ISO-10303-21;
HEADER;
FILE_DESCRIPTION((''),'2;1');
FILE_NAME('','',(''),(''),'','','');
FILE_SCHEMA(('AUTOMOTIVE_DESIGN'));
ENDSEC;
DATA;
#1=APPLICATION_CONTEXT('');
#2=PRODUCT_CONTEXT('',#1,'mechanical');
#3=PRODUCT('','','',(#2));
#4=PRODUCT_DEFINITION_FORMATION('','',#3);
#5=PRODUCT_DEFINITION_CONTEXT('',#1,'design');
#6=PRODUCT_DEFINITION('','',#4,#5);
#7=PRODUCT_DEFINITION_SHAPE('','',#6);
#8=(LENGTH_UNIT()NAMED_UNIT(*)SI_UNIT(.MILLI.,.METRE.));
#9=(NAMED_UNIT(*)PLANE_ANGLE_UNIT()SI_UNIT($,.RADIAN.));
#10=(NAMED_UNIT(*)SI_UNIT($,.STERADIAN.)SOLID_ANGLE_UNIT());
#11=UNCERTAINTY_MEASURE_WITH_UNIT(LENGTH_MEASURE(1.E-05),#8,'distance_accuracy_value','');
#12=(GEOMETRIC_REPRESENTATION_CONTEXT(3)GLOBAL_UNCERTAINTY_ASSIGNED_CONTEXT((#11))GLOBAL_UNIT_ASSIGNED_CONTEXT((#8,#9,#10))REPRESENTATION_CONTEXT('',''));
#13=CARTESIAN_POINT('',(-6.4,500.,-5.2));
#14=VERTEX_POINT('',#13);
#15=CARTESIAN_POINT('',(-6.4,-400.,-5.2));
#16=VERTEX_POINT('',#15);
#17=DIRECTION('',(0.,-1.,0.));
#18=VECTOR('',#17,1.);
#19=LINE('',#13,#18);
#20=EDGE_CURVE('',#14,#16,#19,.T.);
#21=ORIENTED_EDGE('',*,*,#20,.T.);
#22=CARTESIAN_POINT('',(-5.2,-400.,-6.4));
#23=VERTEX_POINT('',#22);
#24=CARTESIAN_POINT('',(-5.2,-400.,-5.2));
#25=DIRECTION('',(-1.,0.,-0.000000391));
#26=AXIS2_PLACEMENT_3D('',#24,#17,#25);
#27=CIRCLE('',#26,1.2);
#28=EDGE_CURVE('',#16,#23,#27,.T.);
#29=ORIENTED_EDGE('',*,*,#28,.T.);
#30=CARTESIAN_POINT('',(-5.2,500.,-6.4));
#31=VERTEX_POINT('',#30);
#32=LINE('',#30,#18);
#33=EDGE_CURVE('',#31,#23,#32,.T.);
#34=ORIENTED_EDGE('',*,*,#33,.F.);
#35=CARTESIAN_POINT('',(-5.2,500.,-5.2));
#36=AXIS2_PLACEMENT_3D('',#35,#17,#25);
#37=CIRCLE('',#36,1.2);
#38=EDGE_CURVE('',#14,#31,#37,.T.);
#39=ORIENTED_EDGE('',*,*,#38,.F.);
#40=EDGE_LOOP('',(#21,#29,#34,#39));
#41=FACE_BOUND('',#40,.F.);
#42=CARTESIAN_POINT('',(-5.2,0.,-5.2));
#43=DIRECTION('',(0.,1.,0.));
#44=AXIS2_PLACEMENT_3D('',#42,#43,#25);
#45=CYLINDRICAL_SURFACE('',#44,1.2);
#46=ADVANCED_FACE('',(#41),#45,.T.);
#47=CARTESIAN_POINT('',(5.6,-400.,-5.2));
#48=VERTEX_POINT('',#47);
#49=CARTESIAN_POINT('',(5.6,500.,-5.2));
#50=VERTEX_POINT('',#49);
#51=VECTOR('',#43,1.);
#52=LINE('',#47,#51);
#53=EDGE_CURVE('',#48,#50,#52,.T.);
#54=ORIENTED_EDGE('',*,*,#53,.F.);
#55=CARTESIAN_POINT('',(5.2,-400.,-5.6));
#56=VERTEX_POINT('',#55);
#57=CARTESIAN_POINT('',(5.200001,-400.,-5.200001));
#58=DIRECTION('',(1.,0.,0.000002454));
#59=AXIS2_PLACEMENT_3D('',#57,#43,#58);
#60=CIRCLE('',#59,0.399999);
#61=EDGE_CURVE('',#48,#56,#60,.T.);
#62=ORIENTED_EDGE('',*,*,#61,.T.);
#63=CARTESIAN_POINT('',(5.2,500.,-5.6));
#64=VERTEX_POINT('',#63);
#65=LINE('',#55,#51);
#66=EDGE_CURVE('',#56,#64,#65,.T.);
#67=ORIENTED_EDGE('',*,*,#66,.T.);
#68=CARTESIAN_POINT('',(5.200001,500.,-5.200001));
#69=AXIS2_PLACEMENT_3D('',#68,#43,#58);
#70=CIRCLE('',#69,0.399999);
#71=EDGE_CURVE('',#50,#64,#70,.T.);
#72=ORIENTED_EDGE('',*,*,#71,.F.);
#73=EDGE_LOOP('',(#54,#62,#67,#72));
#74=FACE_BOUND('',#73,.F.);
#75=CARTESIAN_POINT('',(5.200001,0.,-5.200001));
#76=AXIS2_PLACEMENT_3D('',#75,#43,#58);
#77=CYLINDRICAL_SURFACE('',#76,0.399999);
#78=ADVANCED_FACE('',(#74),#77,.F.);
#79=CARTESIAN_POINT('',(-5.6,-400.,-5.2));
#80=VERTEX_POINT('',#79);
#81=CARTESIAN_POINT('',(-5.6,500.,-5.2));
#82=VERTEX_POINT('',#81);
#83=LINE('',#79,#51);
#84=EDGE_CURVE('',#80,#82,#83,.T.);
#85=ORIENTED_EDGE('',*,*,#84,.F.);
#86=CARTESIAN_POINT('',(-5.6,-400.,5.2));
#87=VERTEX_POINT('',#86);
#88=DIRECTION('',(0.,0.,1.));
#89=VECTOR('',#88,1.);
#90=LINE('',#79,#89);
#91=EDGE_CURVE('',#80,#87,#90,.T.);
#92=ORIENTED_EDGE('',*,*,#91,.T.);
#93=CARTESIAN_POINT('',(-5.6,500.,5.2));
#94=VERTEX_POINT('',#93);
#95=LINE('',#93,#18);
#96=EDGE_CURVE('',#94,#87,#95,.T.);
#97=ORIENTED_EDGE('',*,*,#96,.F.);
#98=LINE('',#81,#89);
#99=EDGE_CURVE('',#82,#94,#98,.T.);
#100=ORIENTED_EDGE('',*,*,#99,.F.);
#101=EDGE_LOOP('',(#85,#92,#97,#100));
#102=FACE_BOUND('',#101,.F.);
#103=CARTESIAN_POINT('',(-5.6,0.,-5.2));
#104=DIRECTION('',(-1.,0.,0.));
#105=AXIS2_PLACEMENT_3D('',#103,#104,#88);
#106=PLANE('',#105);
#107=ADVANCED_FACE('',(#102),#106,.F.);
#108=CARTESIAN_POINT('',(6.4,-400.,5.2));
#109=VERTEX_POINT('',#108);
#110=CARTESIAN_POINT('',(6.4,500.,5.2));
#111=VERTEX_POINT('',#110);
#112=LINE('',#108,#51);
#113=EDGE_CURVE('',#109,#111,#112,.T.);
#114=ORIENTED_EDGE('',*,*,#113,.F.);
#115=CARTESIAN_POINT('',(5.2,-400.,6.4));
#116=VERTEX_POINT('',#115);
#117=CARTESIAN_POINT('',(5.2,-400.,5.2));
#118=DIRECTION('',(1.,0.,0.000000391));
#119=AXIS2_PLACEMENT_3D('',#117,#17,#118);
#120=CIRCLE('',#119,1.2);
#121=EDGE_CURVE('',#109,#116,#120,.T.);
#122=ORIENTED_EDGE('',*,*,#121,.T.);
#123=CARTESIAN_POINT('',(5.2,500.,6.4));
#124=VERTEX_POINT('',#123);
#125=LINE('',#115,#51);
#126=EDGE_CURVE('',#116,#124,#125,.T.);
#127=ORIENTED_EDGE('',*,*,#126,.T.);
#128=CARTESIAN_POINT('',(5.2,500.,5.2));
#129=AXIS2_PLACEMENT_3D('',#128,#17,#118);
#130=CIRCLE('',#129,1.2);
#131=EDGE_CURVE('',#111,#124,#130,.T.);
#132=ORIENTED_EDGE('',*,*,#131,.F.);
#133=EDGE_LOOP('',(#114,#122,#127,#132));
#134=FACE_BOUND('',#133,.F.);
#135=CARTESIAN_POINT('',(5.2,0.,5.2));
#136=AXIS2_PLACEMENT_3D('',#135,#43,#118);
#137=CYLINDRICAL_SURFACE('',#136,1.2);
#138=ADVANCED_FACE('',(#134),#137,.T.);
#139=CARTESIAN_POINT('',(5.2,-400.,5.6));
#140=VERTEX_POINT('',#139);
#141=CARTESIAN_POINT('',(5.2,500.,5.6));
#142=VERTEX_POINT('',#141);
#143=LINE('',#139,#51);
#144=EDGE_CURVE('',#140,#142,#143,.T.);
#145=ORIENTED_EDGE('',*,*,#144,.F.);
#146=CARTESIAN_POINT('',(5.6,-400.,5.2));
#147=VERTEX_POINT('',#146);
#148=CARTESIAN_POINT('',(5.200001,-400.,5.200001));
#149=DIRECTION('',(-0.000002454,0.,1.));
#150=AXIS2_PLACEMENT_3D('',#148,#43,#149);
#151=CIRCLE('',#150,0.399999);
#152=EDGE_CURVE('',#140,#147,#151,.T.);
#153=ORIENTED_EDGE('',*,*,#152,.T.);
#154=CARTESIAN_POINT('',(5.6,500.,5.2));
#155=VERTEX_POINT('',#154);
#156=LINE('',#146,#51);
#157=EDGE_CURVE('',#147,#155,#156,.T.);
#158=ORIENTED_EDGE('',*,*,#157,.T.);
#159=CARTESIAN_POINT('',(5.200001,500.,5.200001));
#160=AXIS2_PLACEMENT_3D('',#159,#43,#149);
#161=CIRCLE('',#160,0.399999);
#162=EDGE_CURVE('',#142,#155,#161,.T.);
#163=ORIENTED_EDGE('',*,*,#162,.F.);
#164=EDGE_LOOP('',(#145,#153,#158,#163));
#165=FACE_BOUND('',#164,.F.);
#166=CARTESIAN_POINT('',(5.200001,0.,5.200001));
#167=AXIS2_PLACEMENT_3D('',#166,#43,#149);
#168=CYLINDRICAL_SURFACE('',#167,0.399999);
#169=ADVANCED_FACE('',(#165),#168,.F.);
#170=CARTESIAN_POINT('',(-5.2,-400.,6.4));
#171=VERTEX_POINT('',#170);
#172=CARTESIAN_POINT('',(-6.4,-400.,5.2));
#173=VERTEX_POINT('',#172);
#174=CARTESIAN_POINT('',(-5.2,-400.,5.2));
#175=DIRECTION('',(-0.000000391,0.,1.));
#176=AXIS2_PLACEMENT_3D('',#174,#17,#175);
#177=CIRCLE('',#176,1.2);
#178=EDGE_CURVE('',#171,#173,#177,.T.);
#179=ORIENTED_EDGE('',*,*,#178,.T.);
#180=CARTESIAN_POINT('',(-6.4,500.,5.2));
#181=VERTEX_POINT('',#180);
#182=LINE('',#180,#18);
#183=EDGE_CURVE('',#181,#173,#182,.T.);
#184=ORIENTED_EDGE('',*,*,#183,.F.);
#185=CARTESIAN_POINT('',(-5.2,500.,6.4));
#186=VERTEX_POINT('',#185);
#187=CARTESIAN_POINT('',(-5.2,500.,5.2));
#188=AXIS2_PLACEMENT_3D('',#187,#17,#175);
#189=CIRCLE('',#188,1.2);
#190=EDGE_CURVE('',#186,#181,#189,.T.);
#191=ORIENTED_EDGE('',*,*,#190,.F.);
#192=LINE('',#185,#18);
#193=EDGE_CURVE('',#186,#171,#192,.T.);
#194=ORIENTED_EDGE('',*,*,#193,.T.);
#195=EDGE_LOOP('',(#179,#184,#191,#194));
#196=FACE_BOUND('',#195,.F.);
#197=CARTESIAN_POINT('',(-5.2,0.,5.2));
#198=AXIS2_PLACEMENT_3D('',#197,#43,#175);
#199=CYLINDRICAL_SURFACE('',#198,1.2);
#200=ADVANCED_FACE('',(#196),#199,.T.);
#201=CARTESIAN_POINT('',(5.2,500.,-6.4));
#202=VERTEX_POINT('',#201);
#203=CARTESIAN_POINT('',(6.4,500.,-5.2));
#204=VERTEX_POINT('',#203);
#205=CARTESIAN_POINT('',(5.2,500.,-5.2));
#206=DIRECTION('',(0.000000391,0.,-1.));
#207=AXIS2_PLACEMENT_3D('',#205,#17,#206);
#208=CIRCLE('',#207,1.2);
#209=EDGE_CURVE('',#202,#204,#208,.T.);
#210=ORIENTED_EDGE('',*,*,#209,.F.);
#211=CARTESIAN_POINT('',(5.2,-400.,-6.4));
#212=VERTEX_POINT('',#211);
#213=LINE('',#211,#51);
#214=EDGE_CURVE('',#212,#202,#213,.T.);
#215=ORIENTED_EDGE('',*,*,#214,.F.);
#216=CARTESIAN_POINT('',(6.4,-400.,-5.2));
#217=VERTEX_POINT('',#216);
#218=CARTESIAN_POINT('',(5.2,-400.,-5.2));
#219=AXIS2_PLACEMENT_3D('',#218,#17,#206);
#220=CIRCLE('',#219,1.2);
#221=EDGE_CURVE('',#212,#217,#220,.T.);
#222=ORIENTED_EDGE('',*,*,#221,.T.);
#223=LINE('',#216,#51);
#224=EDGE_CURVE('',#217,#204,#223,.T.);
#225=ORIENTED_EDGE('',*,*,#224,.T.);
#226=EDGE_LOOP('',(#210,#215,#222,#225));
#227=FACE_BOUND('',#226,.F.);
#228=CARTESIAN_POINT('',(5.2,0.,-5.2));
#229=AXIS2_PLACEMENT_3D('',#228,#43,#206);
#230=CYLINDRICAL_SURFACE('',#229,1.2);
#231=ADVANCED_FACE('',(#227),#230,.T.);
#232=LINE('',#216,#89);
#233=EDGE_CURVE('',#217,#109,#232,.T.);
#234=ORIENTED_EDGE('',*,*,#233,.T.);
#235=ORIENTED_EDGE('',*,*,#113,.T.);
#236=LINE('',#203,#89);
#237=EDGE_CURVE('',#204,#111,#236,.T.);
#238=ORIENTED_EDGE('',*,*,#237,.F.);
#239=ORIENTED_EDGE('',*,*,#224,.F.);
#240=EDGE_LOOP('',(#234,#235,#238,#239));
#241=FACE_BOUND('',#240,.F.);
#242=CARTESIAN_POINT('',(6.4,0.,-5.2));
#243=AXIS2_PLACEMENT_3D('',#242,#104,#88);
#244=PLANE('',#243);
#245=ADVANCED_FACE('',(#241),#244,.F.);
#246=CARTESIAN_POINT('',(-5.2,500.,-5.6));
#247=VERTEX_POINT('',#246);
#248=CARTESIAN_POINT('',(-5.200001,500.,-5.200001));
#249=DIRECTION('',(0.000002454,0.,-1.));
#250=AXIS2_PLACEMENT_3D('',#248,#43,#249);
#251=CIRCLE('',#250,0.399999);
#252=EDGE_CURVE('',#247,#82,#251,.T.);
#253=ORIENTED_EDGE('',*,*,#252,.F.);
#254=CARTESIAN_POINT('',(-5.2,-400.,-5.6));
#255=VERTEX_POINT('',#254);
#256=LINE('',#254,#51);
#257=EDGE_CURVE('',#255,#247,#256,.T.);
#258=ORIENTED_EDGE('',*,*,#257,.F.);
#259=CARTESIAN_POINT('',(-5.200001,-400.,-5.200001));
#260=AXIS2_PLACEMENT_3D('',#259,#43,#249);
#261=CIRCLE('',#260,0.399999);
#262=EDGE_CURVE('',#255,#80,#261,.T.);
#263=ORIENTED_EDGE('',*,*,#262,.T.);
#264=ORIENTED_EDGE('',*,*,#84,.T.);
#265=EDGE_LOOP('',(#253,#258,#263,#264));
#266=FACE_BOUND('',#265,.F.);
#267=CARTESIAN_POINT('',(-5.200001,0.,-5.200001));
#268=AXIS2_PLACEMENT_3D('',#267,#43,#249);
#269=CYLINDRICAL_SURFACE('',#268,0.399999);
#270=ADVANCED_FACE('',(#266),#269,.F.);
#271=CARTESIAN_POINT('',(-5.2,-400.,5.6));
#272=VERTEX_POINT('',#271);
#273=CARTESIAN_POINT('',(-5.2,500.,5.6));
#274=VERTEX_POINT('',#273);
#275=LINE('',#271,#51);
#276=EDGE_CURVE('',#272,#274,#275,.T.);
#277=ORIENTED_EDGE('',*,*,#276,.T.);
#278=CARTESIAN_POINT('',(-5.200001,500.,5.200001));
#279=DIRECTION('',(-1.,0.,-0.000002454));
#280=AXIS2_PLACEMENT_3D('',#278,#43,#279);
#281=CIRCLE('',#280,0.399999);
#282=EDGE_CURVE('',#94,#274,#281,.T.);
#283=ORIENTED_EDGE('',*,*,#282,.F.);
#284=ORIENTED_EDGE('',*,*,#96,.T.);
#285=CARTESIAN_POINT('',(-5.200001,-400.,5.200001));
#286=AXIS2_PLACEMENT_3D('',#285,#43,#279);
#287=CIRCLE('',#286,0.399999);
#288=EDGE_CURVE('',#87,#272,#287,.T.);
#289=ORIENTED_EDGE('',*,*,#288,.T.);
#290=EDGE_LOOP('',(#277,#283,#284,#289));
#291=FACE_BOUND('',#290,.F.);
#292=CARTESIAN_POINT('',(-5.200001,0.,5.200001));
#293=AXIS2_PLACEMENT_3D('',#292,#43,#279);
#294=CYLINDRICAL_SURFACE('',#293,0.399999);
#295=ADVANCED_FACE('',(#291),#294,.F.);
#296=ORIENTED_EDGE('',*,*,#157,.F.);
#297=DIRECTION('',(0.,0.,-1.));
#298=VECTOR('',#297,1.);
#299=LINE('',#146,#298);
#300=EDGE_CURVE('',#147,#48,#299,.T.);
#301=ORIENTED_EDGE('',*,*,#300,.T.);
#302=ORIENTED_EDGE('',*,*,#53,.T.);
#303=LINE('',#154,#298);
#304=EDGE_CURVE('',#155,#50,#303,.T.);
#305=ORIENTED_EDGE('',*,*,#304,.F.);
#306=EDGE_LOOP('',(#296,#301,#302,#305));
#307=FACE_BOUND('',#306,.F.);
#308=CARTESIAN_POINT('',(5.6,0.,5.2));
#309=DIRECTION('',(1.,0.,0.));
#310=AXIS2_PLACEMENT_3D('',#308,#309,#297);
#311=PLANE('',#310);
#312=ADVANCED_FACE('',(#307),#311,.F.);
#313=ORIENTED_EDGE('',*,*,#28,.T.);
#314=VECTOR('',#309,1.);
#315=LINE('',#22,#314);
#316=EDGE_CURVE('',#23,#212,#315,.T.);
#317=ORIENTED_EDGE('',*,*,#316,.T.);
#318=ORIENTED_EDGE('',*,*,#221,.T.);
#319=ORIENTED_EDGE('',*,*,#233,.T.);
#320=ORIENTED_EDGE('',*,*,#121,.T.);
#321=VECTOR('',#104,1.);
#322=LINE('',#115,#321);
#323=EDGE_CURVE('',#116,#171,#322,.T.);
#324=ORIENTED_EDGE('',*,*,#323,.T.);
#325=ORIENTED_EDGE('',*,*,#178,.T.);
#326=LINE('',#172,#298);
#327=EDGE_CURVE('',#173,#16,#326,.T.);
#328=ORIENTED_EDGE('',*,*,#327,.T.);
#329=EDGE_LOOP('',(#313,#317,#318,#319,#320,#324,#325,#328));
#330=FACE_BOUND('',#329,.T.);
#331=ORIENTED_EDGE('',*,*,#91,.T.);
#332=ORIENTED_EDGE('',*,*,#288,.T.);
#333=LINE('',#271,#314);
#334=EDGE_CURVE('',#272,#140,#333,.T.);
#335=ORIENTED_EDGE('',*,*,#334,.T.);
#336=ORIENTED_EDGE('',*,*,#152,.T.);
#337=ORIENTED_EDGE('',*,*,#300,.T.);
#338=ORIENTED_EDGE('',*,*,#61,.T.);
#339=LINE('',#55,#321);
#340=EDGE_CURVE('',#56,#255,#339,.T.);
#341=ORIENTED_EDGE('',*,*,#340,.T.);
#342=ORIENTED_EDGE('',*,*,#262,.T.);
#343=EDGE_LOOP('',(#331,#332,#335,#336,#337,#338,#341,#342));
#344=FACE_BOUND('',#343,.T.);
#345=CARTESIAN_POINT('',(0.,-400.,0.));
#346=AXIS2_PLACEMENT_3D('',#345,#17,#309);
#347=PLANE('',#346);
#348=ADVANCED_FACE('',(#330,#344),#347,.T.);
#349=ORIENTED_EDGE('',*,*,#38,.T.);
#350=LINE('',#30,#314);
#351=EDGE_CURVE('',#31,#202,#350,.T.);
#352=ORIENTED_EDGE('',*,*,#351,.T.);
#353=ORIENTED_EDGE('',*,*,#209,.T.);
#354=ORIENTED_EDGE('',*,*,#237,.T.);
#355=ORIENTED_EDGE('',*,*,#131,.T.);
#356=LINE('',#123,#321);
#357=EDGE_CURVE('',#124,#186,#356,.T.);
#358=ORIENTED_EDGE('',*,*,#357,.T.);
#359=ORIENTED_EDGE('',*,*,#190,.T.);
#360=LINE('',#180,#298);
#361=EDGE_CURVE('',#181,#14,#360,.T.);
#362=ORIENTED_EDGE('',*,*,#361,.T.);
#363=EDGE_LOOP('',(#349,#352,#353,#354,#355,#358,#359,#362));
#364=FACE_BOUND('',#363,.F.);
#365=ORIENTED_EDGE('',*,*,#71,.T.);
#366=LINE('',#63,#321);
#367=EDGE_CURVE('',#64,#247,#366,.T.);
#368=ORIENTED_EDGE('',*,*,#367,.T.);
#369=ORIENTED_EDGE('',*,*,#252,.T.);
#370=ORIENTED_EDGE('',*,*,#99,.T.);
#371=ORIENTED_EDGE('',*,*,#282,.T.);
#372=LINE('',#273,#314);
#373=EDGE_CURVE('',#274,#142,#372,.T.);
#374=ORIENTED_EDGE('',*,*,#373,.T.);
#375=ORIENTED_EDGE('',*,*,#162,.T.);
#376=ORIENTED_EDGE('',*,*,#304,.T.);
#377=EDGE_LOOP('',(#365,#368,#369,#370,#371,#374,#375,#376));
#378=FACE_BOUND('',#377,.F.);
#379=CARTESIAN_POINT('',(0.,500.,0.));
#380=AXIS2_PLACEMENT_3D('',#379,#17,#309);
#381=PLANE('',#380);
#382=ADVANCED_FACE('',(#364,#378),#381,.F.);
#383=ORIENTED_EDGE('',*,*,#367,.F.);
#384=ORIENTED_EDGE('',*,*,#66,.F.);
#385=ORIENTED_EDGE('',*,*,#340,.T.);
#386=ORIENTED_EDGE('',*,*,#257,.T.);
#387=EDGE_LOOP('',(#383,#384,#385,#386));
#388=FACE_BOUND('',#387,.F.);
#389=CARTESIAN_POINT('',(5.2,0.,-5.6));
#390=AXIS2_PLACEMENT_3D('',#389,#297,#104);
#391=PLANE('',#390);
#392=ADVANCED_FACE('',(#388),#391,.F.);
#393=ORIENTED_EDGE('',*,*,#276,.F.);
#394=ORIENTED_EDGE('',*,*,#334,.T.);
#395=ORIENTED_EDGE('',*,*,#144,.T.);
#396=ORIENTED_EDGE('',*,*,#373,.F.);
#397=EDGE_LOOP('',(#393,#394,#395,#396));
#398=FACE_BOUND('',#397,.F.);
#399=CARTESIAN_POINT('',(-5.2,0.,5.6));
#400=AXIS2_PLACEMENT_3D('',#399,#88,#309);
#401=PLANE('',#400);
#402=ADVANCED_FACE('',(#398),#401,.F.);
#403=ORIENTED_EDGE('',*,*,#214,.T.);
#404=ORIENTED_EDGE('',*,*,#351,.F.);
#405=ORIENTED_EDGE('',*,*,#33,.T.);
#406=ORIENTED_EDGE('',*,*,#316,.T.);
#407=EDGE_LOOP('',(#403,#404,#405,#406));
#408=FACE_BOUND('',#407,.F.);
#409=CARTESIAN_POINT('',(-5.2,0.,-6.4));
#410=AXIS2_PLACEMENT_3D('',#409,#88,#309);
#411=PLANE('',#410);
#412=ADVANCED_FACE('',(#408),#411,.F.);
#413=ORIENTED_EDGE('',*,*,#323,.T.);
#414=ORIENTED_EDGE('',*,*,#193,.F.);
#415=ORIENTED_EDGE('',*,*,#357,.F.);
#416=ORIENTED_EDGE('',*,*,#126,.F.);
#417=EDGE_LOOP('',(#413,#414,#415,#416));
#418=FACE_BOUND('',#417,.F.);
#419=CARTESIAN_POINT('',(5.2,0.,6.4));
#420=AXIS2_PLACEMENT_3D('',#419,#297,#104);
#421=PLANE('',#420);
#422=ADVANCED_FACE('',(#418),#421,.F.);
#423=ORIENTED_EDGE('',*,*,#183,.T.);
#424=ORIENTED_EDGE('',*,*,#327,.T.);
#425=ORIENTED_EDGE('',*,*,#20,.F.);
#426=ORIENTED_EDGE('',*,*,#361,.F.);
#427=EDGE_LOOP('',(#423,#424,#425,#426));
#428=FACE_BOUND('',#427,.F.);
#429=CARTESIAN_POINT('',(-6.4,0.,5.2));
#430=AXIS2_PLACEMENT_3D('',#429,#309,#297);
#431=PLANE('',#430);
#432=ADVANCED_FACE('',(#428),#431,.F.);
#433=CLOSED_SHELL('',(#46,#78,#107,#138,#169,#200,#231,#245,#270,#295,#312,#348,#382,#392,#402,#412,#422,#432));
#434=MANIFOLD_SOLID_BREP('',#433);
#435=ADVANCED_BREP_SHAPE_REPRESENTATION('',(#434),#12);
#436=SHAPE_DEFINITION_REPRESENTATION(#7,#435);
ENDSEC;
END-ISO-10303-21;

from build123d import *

# Parameters (mm, degrees)
F2_DEPTH = 500
F3_DEPTH = 400


with BuildPart() as f2:
    # F0 (on Front) → F2 (new body)
    with BuildSketch(Plane.XZ):
        with BuildLine():
            Line((5.2, 6.4), (-5.2, 6.4))
            ThreePointArc((-5.2, 6.4), (-6.048528, 6.048528), (-6.4, 5.2))
            Line((-6.4, 5.2), (-6.4, -5.2))
            ThreePointArc((-6.4, -5.2), (-6.048528, -6.048528), (-5.2, -6.4))
            Line((-5.2, -6.4), (5.2, -6.4))
            ThreePointArc((5.2, -6.4), (6.048528, -6.048528), (6.4, -5.2))
            Line((6.4, -5.2), (6.4, 5.2))
            ThreePointArc((6.4, 5.2), (6.048528, 6.048528), (5.2, 6.4))
        make_face()
        with BuildLine():
            ThreePointArc((-5.6, 5.2), (-5.482843, 5.482843), (-5.2, 5.6))
            Line((-5.2, 5.6), (5.2, 5.6))
            ThreePointArc((5.2, 5.6), (5.482843, 5.482843), (5.6, 5.2))
            Line((5.6, 5.2), (5.6, -5.2))
            ThreePointArc((5.6, -5.2), (5.482843, -5.482843), (5.2, -5.6))
            Line((5.2, -5.6), (-5.2, -5.6))
            ThreePointArc((-5.2, -5.6), (-5.482843, -5.482843), (-5.6, -5.2))
            Line((-5.6, -5.2), (-5.6, 5.2))
        make_face(mode=Mode.SUBTRACT)
    extrude(amount=-F2_DEPTH)

    # F2_face (on face) → F3 (join)
    with BuildSketch(Plane.XZ):
        with BuildLine():
            Line((5.2, 6.4), (-5.2, 6.4))
            ThreePointArc((-5.2, 6.4), (-6.048528, 6.048528), (-6.4, 5.2))
            Line((-6.4, 5.2), (-6.4, -5.2))
            ThreePointArc((-6.4, -5.2), (-6.048528, -6.048528), (-5.2, -6.4))
            Line((-5.2, -6.4), (5.2, -6.4))
            ThreePointArc((5.2, -6.4), (6.048528, -6.048528), (6.4, -5.2))
            Line((6.4, -5.2), (6.4, 5.2))
            ThreePointArc((6.4, 5.2), (6.048528, 6.048528), (5.2, 6.4))
        make_face()
        with BuildLine():
            ThreePointArc((-5.6, 5.2), (-5.482843, 5.482843), (-5.2, 5.6))
            Line((-5.2, 5.6), (5.2, 5.6))
            ThreePointArc((5.2, 5.6), (5.482843, 5.482843), (5.6, 5.2))
            Line((5.6, 5.2), (5.6, -5.2))
            ThreePointArc((5.6, -5.2), (5.482843, -5.482843), (5.2, -5.6))
            Line((5.2, -5.6), (-5.2, -5.6))
            ThreePointArc((-5.2, -5.6), (-5.482843, -5.482843), (-5.6, -5.2))
            Line((-5.6, -5.2), (-5.6, 5.2))
        make_face(mode=Mode.SUBTRACT)
    extrude(amount=F3_DEPTH)


solid = f2.part
